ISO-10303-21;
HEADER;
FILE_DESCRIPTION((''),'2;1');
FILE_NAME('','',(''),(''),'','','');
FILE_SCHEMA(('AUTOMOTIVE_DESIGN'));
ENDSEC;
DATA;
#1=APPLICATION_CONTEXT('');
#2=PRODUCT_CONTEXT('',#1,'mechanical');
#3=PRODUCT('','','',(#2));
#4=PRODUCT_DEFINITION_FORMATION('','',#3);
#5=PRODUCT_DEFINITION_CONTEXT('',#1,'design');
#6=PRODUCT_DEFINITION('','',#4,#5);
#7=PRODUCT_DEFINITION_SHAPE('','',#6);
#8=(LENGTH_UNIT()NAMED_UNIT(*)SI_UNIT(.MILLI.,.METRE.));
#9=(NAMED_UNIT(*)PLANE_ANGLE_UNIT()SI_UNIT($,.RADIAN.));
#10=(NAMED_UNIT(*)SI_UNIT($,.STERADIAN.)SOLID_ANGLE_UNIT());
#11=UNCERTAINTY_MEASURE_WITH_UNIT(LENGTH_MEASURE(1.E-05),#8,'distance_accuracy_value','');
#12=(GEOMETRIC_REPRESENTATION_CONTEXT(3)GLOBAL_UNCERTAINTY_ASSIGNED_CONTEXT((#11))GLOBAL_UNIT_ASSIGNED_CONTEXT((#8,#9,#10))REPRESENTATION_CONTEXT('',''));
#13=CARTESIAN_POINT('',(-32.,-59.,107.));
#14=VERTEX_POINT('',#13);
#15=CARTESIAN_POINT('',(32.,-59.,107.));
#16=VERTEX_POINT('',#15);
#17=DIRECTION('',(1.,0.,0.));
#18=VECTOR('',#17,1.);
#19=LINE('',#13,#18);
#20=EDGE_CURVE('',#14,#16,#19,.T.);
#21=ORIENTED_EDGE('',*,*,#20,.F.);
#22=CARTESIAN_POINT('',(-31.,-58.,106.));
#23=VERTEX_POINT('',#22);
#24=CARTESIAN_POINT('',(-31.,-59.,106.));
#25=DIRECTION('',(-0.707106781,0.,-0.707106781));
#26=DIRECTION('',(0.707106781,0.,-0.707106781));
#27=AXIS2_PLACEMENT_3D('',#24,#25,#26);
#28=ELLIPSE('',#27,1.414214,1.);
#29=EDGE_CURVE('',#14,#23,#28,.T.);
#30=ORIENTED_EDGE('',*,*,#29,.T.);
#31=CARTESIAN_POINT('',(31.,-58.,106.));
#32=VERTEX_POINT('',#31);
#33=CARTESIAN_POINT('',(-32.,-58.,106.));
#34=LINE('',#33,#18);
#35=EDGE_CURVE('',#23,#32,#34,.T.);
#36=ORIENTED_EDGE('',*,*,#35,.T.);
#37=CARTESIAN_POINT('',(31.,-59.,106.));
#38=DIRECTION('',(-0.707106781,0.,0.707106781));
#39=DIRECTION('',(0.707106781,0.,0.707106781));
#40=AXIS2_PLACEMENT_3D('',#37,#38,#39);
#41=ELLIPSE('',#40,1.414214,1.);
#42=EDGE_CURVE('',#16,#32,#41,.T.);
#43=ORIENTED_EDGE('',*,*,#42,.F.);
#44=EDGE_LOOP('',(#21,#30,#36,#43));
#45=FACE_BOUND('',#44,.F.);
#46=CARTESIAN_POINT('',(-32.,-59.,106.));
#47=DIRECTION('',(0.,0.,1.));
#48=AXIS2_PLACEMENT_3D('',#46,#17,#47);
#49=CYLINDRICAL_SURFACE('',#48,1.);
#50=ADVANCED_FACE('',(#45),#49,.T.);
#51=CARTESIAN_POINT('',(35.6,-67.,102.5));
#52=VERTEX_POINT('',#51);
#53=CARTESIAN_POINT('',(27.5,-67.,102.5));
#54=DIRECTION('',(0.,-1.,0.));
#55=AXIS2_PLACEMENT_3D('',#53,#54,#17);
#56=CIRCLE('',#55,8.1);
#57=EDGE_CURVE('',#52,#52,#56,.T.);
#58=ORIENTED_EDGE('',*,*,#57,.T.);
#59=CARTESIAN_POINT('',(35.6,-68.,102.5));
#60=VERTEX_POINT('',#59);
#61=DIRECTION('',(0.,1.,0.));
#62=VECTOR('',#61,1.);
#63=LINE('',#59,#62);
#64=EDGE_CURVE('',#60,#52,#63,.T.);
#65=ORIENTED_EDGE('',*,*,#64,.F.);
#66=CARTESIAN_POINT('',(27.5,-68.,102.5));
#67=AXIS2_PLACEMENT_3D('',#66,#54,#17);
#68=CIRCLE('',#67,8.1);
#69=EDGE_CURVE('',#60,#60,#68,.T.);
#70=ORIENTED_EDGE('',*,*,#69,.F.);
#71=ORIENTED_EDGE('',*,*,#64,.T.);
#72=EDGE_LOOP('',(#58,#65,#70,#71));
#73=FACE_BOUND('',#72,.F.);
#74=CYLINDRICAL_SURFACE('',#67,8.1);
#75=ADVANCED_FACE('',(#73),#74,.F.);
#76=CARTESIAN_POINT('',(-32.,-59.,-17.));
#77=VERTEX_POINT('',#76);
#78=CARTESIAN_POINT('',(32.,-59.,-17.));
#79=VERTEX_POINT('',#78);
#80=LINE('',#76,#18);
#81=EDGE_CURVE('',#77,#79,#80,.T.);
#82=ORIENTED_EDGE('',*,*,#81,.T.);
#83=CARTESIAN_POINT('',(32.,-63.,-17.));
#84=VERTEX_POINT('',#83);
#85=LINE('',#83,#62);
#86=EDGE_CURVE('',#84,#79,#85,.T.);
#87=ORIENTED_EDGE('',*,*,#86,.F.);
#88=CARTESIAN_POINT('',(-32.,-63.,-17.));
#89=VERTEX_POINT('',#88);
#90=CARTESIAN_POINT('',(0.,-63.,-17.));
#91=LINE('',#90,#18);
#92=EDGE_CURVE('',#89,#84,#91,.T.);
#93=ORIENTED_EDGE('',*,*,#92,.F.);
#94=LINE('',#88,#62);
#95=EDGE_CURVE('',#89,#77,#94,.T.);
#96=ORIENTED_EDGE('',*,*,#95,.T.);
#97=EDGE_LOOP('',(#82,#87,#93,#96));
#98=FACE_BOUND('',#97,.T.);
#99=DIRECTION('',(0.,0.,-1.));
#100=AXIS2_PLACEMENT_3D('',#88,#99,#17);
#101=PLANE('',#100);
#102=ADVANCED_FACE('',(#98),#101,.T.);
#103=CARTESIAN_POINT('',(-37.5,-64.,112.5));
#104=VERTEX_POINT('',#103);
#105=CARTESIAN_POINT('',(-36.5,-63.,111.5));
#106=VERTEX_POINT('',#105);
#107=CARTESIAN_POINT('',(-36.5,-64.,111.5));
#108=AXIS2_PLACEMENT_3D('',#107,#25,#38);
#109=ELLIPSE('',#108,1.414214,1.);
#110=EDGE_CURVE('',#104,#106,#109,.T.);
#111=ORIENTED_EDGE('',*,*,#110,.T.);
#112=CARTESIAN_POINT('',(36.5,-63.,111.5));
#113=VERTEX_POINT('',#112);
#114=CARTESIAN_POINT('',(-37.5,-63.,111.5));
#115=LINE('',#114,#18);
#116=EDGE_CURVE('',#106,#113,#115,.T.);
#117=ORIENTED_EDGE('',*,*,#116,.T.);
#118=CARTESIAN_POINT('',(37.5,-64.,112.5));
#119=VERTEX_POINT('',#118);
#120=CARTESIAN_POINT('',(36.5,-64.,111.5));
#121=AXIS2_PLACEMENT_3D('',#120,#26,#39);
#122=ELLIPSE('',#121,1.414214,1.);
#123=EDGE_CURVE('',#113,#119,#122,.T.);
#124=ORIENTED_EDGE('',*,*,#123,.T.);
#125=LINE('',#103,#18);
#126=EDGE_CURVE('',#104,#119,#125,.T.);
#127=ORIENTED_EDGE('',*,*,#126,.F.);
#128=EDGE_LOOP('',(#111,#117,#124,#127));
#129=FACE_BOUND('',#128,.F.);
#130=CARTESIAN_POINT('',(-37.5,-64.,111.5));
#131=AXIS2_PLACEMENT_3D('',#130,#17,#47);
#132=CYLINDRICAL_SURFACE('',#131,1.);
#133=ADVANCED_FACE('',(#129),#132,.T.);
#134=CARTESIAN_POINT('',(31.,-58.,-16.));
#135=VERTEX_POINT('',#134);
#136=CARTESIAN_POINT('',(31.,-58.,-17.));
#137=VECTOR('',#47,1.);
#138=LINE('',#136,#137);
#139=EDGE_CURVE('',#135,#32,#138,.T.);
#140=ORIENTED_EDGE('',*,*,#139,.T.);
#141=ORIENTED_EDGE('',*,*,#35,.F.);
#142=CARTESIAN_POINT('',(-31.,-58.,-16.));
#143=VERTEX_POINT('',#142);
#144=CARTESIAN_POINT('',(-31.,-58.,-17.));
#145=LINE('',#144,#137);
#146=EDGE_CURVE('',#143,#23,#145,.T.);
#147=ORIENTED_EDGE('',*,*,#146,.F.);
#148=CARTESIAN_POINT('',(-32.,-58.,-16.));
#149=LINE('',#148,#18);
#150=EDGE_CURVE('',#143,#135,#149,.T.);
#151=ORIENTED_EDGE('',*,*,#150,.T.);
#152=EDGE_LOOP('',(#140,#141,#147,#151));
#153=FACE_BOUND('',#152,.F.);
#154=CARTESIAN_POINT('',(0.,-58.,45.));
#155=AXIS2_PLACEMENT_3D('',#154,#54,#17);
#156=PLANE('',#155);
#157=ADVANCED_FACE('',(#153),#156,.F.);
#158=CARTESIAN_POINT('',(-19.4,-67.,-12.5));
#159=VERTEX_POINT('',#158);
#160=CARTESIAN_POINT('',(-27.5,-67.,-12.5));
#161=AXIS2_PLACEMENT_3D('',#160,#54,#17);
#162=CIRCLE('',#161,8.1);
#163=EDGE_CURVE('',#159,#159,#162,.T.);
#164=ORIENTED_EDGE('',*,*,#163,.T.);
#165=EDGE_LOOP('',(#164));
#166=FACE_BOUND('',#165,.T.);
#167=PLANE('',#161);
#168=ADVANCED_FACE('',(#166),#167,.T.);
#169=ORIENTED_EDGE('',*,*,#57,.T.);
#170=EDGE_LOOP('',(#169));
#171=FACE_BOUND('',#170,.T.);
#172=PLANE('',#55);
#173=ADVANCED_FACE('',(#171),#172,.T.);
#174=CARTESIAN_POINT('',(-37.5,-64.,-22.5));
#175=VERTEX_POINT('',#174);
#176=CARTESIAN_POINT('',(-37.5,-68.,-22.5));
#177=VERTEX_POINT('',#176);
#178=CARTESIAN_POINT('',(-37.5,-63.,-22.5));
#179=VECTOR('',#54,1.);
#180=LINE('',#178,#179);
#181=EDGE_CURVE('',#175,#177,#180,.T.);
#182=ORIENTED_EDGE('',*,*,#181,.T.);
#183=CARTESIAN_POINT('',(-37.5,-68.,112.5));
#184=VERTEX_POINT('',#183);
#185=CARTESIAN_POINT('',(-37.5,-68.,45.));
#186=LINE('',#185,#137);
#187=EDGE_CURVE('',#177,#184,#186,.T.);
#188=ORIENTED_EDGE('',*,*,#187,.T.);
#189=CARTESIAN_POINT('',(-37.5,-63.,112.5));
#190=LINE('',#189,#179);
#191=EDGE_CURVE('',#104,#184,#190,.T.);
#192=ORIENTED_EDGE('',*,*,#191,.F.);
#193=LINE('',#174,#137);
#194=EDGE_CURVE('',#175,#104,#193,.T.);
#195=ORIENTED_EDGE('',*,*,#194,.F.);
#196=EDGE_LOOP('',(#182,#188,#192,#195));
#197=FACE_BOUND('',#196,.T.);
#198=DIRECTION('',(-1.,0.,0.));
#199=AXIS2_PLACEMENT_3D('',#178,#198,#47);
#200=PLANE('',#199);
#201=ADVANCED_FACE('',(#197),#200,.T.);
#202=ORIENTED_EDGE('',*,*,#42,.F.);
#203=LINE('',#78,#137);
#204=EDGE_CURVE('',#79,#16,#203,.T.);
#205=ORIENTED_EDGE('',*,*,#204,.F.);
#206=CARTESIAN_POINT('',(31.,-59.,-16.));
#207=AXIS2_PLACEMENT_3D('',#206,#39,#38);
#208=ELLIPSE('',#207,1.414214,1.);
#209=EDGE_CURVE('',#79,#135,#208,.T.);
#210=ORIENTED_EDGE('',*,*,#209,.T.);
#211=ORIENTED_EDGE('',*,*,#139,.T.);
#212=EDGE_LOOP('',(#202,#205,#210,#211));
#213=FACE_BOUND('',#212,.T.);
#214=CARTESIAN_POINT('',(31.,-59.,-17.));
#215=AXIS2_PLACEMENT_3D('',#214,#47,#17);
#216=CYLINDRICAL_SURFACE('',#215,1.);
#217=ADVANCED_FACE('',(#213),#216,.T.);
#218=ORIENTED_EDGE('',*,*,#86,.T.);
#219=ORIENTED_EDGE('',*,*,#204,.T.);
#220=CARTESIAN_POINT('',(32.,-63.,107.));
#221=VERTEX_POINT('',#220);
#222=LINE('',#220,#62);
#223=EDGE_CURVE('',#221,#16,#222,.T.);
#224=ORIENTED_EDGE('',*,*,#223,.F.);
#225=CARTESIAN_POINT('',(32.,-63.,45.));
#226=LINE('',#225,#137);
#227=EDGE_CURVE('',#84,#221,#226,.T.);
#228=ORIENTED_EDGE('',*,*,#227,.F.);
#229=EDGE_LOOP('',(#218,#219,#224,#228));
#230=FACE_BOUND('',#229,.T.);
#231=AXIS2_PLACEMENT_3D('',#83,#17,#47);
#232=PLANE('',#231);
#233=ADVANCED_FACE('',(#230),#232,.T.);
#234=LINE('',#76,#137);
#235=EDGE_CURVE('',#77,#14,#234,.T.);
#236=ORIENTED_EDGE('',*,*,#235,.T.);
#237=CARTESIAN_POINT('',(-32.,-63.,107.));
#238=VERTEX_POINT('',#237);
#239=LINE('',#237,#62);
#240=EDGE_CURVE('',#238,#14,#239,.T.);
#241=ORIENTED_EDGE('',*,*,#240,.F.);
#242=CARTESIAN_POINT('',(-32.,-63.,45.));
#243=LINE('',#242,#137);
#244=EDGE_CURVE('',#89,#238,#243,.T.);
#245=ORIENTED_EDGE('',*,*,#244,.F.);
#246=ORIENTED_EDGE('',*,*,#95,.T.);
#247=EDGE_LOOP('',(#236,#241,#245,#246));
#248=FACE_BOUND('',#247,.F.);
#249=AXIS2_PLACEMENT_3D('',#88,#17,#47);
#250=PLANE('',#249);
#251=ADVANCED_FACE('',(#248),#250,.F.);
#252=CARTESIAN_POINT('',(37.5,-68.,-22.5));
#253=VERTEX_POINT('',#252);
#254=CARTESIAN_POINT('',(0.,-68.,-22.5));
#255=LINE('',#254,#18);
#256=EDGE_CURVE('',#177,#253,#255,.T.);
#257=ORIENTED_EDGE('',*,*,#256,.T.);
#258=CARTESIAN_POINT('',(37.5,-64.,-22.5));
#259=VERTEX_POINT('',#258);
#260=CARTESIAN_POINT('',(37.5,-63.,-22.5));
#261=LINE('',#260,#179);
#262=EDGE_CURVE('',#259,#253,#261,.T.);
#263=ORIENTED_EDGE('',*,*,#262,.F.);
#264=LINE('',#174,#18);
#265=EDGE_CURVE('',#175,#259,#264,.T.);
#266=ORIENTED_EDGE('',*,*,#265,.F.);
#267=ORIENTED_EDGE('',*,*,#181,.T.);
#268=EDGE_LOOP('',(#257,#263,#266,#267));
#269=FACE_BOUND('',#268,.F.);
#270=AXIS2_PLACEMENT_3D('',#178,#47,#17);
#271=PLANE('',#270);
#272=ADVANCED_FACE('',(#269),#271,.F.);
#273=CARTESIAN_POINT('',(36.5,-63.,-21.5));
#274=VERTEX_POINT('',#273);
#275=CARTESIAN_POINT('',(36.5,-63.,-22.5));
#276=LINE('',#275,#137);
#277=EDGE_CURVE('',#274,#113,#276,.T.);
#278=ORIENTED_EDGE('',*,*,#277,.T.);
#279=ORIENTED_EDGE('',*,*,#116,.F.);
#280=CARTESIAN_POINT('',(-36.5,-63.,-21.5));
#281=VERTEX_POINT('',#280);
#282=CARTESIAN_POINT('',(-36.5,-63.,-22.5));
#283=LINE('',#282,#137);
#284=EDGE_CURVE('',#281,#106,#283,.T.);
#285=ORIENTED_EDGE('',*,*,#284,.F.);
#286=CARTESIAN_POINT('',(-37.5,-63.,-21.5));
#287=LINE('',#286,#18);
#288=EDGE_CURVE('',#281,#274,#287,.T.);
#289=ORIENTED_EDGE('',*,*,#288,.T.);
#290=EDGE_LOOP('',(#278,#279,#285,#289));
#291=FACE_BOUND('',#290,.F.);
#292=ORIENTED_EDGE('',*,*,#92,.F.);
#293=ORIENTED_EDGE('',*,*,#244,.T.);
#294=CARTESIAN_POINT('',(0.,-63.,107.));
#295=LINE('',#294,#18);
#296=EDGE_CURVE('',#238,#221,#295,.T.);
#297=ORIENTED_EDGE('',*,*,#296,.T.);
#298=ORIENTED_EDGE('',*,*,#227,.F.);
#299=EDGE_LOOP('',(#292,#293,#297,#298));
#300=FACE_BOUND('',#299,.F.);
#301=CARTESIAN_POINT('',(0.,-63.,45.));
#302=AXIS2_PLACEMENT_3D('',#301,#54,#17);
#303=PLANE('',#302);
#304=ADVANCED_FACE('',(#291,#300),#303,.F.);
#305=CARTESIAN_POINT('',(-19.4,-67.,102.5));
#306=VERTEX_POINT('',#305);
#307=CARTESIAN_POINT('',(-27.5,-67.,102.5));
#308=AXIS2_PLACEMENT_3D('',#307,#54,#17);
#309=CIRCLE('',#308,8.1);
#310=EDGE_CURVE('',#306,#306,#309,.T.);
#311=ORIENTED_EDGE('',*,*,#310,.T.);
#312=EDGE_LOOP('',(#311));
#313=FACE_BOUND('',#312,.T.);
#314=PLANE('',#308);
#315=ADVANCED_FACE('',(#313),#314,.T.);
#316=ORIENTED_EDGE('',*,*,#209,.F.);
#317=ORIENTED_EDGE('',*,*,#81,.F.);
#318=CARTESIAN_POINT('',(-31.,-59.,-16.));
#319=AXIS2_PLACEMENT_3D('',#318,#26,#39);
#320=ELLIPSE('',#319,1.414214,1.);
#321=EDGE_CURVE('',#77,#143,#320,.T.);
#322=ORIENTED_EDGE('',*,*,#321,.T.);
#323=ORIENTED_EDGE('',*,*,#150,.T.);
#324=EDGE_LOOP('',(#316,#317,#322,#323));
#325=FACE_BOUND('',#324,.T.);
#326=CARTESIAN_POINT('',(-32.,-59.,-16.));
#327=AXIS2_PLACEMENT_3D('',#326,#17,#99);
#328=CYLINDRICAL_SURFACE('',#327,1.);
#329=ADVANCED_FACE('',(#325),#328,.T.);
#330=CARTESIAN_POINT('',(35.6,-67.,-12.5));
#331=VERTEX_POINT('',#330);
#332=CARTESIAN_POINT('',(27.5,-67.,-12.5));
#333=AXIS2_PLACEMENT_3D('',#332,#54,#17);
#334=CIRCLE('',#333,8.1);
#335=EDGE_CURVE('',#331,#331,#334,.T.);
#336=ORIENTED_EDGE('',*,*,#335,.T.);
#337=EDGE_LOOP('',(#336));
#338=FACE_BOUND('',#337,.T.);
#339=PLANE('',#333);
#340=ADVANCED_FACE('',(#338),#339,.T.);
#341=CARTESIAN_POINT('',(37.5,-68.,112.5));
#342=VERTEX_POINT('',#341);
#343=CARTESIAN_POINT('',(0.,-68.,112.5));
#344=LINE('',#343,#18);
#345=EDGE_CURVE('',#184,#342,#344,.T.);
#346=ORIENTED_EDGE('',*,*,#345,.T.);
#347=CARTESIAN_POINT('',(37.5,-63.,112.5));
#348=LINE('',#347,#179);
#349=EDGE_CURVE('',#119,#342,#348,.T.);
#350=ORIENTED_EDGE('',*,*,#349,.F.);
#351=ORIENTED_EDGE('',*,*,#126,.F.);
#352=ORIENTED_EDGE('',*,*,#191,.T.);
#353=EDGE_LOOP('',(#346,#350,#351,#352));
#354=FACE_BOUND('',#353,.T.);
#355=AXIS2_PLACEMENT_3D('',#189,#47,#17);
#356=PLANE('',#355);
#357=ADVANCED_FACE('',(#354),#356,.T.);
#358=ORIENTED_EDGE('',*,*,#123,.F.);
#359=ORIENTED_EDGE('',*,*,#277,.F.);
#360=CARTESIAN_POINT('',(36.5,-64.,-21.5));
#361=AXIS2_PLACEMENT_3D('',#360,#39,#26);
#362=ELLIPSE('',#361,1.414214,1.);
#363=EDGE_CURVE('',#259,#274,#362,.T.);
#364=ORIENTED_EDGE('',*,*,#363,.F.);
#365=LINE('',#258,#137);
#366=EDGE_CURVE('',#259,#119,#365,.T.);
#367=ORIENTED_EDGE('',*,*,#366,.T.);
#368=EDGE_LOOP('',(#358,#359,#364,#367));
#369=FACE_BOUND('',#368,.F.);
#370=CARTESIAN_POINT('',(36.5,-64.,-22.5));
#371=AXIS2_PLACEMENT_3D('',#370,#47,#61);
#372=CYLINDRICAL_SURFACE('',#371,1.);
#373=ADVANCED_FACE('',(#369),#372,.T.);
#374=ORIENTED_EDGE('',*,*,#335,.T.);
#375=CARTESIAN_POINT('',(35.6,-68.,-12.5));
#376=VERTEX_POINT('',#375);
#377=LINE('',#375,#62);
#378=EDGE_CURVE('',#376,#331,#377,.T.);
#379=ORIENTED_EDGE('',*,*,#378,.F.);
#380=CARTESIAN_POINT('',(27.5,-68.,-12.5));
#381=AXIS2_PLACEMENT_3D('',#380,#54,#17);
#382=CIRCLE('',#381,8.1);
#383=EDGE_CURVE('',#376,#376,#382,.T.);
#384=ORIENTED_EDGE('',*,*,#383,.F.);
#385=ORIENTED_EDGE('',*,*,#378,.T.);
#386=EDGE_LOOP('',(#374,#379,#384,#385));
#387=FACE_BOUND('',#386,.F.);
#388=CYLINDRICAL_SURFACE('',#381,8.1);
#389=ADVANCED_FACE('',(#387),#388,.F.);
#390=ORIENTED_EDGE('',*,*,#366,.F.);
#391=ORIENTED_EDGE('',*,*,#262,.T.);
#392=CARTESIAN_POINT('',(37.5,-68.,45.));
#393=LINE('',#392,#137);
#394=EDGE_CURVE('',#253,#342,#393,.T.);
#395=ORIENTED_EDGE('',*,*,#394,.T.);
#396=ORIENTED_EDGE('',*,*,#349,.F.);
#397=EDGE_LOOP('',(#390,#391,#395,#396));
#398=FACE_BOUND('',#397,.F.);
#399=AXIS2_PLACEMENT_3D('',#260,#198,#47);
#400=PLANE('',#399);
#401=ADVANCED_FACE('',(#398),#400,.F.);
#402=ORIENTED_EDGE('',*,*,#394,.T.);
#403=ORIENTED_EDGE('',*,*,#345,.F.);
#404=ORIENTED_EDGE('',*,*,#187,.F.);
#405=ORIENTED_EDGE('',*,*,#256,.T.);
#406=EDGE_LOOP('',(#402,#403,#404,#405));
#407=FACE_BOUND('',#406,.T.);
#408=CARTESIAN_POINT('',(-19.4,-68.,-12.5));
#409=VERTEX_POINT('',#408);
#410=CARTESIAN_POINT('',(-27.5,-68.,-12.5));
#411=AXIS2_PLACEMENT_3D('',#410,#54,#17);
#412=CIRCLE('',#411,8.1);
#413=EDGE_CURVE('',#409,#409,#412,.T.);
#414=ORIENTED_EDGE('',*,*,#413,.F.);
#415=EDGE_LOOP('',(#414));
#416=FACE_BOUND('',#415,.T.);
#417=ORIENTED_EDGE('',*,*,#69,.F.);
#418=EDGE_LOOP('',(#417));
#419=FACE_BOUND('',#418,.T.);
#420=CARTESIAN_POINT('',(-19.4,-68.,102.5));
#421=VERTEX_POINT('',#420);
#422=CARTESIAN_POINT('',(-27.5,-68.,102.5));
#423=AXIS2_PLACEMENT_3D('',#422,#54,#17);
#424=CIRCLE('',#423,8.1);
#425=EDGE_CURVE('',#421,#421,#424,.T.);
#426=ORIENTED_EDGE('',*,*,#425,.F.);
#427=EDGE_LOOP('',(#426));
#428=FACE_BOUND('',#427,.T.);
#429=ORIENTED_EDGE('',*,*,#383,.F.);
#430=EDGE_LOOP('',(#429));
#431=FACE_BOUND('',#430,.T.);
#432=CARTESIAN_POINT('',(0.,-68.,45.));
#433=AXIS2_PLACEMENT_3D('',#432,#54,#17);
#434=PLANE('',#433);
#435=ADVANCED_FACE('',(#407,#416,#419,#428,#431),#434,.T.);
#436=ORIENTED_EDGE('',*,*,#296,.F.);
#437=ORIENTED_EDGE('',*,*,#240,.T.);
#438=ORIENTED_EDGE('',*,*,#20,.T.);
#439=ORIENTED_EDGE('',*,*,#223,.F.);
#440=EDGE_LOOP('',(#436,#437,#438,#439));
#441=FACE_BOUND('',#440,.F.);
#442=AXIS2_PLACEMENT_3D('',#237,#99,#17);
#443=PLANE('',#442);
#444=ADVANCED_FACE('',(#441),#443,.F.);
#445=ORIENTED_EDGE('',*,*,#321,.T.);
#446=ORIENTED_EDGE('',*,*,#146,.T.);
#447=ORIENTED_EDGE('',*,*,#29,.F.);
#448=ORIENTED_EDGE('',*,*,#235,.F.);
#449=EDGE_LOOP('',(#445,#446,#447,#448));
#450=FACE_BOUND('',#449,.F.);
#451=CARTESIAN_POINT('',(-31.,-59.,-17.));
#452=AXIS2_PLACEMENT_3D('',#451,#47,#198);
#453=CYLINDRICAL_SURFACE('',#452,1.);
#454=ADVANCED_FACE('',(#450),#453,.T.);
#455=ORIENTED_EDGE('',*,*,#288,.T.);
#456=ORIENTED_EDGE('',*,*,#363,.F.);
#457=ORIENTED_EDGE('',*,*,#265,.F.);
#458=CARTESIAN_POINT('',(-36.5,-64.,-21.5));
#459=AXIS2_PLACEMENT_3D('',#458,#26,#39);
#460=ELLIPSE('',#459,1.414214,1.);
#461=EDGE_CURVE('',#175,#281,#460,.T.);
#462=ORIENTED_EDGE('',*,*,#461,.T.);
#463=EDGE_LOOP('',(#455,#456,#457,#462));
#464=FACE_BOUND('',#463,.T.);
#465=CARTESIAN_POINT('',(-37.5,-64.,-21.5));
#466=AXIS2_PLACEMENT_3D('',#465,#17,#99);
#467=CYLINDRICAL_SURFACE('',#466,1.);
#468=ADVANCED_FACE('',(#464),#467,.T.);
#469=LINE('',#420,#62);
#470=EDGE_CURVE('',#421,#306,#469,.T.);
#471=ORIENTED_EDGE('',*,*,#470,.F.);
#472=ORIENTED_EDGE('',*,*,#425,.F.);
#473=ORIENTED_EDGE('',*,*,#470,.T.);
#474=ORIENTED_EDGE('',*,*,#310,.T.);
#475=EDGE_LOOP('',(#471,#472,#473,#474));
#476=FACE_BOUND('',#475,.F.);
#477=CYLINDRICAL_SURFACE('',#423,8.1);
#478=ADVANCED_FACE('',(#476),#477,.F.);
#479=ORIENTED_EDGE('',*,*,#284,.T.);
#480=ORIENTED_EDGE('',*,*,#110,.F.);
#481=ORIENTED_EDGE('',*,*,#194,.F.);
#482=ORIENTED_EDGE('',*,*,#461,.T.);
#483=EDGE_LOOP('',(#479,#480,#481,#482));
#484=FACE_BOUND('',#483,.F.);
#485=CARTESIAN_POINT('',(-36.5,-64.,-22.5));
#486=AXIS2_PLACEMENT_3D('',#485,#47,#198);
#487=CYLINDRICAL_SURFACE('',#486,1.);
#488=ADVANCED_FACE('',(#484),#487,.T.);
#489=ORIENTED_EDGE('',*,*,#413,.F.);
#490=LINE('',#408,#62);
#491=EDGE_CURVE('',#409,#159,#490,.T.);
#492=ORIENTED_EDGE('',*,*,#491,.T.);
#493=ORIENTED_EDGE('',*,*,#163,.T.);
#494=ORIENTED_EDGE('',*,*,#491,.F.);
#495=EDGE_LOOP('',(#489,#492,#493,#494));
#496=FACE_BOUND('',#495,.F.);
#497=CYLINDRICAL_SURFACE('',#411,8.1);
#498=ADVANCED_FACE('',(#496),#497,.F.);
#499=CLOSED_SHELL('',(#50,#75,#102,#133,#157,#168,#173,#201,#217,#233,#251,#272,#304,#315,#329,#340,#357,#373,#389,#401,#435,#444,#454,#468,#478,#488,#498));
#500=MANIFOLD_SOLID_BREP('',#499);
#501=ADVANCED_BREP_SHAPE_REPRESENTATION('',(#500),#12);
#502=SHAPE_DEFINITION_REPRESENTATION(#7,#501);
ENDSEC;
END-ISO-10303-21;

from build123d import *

# Parameters (mm, degrees)
SKETCH032_W     = 64
SKETCH032_H     = 124
PAD019_DEPTH    = 5
SKETCH033_W     = 75
SKETCH033_H     = 135
PAD020_DEPTH    = 5
FILLET001_R     = 1
SKETCH034_R     = 8.1
POCKET002_DEPTH = 1


with BuildPart() as part:
    # Sketch032 → Pad019 (new body)
    with BuildSketch(Plane.XZ):
        with Locations((0, 45)):
            Rectangle(SKETCH032_W, SKETCH032_H)
    extrude(amount=-PAD019_DEPTH)

    # Sketch033 → Pad020 (join)
    with BuildSketch(Plane.XZ):
        with Locations((0, 45)):
            Rectangle(SKETCH033_W, SKETCH033_H)
    extrude(amount=PAD020_DEPTH)

    # Fillet001
    fillet001_edges = [part.edges().sort_by_distance(p)[0] for p in [
        (0, 0, -22.5),
        (-37.5, 0, 45),
        (37.5, 0, 45),
        (32, 5, 45),
        (0, 5, -17),
        (0, 0, 112.5),
        (0, 5, 107),
        (-32, 5, 45),
    ]]
    fillet(fillet001_edges, radius=FILLET001_R)

    # Sketch034 (on Face19 of Fillet001) → Pocket002 (cut)
    with BuildSketch(Plane.XZ.offset(5)):
        with Locations((-27.5, 102.5)):
            Circle(SKETCH034_R)
        with Locations((27.5, 102.5)):
            Circle(SKETCH034_R)
        with Locations((-27.5, -12.5)):
            Circle(SKETCH034_R)
        with Locations((27.5, -12.5)):
            Circle(SKETCH034_R)
    extrude(amount=-POCKET002_DEPTH, mode=Mode.SUBTRACT)


with BuildPart() as part_1:
    # Body014 placement: moved
    add(part.part.moved(Location((0, -63, 0))))


solid = part_1.part
